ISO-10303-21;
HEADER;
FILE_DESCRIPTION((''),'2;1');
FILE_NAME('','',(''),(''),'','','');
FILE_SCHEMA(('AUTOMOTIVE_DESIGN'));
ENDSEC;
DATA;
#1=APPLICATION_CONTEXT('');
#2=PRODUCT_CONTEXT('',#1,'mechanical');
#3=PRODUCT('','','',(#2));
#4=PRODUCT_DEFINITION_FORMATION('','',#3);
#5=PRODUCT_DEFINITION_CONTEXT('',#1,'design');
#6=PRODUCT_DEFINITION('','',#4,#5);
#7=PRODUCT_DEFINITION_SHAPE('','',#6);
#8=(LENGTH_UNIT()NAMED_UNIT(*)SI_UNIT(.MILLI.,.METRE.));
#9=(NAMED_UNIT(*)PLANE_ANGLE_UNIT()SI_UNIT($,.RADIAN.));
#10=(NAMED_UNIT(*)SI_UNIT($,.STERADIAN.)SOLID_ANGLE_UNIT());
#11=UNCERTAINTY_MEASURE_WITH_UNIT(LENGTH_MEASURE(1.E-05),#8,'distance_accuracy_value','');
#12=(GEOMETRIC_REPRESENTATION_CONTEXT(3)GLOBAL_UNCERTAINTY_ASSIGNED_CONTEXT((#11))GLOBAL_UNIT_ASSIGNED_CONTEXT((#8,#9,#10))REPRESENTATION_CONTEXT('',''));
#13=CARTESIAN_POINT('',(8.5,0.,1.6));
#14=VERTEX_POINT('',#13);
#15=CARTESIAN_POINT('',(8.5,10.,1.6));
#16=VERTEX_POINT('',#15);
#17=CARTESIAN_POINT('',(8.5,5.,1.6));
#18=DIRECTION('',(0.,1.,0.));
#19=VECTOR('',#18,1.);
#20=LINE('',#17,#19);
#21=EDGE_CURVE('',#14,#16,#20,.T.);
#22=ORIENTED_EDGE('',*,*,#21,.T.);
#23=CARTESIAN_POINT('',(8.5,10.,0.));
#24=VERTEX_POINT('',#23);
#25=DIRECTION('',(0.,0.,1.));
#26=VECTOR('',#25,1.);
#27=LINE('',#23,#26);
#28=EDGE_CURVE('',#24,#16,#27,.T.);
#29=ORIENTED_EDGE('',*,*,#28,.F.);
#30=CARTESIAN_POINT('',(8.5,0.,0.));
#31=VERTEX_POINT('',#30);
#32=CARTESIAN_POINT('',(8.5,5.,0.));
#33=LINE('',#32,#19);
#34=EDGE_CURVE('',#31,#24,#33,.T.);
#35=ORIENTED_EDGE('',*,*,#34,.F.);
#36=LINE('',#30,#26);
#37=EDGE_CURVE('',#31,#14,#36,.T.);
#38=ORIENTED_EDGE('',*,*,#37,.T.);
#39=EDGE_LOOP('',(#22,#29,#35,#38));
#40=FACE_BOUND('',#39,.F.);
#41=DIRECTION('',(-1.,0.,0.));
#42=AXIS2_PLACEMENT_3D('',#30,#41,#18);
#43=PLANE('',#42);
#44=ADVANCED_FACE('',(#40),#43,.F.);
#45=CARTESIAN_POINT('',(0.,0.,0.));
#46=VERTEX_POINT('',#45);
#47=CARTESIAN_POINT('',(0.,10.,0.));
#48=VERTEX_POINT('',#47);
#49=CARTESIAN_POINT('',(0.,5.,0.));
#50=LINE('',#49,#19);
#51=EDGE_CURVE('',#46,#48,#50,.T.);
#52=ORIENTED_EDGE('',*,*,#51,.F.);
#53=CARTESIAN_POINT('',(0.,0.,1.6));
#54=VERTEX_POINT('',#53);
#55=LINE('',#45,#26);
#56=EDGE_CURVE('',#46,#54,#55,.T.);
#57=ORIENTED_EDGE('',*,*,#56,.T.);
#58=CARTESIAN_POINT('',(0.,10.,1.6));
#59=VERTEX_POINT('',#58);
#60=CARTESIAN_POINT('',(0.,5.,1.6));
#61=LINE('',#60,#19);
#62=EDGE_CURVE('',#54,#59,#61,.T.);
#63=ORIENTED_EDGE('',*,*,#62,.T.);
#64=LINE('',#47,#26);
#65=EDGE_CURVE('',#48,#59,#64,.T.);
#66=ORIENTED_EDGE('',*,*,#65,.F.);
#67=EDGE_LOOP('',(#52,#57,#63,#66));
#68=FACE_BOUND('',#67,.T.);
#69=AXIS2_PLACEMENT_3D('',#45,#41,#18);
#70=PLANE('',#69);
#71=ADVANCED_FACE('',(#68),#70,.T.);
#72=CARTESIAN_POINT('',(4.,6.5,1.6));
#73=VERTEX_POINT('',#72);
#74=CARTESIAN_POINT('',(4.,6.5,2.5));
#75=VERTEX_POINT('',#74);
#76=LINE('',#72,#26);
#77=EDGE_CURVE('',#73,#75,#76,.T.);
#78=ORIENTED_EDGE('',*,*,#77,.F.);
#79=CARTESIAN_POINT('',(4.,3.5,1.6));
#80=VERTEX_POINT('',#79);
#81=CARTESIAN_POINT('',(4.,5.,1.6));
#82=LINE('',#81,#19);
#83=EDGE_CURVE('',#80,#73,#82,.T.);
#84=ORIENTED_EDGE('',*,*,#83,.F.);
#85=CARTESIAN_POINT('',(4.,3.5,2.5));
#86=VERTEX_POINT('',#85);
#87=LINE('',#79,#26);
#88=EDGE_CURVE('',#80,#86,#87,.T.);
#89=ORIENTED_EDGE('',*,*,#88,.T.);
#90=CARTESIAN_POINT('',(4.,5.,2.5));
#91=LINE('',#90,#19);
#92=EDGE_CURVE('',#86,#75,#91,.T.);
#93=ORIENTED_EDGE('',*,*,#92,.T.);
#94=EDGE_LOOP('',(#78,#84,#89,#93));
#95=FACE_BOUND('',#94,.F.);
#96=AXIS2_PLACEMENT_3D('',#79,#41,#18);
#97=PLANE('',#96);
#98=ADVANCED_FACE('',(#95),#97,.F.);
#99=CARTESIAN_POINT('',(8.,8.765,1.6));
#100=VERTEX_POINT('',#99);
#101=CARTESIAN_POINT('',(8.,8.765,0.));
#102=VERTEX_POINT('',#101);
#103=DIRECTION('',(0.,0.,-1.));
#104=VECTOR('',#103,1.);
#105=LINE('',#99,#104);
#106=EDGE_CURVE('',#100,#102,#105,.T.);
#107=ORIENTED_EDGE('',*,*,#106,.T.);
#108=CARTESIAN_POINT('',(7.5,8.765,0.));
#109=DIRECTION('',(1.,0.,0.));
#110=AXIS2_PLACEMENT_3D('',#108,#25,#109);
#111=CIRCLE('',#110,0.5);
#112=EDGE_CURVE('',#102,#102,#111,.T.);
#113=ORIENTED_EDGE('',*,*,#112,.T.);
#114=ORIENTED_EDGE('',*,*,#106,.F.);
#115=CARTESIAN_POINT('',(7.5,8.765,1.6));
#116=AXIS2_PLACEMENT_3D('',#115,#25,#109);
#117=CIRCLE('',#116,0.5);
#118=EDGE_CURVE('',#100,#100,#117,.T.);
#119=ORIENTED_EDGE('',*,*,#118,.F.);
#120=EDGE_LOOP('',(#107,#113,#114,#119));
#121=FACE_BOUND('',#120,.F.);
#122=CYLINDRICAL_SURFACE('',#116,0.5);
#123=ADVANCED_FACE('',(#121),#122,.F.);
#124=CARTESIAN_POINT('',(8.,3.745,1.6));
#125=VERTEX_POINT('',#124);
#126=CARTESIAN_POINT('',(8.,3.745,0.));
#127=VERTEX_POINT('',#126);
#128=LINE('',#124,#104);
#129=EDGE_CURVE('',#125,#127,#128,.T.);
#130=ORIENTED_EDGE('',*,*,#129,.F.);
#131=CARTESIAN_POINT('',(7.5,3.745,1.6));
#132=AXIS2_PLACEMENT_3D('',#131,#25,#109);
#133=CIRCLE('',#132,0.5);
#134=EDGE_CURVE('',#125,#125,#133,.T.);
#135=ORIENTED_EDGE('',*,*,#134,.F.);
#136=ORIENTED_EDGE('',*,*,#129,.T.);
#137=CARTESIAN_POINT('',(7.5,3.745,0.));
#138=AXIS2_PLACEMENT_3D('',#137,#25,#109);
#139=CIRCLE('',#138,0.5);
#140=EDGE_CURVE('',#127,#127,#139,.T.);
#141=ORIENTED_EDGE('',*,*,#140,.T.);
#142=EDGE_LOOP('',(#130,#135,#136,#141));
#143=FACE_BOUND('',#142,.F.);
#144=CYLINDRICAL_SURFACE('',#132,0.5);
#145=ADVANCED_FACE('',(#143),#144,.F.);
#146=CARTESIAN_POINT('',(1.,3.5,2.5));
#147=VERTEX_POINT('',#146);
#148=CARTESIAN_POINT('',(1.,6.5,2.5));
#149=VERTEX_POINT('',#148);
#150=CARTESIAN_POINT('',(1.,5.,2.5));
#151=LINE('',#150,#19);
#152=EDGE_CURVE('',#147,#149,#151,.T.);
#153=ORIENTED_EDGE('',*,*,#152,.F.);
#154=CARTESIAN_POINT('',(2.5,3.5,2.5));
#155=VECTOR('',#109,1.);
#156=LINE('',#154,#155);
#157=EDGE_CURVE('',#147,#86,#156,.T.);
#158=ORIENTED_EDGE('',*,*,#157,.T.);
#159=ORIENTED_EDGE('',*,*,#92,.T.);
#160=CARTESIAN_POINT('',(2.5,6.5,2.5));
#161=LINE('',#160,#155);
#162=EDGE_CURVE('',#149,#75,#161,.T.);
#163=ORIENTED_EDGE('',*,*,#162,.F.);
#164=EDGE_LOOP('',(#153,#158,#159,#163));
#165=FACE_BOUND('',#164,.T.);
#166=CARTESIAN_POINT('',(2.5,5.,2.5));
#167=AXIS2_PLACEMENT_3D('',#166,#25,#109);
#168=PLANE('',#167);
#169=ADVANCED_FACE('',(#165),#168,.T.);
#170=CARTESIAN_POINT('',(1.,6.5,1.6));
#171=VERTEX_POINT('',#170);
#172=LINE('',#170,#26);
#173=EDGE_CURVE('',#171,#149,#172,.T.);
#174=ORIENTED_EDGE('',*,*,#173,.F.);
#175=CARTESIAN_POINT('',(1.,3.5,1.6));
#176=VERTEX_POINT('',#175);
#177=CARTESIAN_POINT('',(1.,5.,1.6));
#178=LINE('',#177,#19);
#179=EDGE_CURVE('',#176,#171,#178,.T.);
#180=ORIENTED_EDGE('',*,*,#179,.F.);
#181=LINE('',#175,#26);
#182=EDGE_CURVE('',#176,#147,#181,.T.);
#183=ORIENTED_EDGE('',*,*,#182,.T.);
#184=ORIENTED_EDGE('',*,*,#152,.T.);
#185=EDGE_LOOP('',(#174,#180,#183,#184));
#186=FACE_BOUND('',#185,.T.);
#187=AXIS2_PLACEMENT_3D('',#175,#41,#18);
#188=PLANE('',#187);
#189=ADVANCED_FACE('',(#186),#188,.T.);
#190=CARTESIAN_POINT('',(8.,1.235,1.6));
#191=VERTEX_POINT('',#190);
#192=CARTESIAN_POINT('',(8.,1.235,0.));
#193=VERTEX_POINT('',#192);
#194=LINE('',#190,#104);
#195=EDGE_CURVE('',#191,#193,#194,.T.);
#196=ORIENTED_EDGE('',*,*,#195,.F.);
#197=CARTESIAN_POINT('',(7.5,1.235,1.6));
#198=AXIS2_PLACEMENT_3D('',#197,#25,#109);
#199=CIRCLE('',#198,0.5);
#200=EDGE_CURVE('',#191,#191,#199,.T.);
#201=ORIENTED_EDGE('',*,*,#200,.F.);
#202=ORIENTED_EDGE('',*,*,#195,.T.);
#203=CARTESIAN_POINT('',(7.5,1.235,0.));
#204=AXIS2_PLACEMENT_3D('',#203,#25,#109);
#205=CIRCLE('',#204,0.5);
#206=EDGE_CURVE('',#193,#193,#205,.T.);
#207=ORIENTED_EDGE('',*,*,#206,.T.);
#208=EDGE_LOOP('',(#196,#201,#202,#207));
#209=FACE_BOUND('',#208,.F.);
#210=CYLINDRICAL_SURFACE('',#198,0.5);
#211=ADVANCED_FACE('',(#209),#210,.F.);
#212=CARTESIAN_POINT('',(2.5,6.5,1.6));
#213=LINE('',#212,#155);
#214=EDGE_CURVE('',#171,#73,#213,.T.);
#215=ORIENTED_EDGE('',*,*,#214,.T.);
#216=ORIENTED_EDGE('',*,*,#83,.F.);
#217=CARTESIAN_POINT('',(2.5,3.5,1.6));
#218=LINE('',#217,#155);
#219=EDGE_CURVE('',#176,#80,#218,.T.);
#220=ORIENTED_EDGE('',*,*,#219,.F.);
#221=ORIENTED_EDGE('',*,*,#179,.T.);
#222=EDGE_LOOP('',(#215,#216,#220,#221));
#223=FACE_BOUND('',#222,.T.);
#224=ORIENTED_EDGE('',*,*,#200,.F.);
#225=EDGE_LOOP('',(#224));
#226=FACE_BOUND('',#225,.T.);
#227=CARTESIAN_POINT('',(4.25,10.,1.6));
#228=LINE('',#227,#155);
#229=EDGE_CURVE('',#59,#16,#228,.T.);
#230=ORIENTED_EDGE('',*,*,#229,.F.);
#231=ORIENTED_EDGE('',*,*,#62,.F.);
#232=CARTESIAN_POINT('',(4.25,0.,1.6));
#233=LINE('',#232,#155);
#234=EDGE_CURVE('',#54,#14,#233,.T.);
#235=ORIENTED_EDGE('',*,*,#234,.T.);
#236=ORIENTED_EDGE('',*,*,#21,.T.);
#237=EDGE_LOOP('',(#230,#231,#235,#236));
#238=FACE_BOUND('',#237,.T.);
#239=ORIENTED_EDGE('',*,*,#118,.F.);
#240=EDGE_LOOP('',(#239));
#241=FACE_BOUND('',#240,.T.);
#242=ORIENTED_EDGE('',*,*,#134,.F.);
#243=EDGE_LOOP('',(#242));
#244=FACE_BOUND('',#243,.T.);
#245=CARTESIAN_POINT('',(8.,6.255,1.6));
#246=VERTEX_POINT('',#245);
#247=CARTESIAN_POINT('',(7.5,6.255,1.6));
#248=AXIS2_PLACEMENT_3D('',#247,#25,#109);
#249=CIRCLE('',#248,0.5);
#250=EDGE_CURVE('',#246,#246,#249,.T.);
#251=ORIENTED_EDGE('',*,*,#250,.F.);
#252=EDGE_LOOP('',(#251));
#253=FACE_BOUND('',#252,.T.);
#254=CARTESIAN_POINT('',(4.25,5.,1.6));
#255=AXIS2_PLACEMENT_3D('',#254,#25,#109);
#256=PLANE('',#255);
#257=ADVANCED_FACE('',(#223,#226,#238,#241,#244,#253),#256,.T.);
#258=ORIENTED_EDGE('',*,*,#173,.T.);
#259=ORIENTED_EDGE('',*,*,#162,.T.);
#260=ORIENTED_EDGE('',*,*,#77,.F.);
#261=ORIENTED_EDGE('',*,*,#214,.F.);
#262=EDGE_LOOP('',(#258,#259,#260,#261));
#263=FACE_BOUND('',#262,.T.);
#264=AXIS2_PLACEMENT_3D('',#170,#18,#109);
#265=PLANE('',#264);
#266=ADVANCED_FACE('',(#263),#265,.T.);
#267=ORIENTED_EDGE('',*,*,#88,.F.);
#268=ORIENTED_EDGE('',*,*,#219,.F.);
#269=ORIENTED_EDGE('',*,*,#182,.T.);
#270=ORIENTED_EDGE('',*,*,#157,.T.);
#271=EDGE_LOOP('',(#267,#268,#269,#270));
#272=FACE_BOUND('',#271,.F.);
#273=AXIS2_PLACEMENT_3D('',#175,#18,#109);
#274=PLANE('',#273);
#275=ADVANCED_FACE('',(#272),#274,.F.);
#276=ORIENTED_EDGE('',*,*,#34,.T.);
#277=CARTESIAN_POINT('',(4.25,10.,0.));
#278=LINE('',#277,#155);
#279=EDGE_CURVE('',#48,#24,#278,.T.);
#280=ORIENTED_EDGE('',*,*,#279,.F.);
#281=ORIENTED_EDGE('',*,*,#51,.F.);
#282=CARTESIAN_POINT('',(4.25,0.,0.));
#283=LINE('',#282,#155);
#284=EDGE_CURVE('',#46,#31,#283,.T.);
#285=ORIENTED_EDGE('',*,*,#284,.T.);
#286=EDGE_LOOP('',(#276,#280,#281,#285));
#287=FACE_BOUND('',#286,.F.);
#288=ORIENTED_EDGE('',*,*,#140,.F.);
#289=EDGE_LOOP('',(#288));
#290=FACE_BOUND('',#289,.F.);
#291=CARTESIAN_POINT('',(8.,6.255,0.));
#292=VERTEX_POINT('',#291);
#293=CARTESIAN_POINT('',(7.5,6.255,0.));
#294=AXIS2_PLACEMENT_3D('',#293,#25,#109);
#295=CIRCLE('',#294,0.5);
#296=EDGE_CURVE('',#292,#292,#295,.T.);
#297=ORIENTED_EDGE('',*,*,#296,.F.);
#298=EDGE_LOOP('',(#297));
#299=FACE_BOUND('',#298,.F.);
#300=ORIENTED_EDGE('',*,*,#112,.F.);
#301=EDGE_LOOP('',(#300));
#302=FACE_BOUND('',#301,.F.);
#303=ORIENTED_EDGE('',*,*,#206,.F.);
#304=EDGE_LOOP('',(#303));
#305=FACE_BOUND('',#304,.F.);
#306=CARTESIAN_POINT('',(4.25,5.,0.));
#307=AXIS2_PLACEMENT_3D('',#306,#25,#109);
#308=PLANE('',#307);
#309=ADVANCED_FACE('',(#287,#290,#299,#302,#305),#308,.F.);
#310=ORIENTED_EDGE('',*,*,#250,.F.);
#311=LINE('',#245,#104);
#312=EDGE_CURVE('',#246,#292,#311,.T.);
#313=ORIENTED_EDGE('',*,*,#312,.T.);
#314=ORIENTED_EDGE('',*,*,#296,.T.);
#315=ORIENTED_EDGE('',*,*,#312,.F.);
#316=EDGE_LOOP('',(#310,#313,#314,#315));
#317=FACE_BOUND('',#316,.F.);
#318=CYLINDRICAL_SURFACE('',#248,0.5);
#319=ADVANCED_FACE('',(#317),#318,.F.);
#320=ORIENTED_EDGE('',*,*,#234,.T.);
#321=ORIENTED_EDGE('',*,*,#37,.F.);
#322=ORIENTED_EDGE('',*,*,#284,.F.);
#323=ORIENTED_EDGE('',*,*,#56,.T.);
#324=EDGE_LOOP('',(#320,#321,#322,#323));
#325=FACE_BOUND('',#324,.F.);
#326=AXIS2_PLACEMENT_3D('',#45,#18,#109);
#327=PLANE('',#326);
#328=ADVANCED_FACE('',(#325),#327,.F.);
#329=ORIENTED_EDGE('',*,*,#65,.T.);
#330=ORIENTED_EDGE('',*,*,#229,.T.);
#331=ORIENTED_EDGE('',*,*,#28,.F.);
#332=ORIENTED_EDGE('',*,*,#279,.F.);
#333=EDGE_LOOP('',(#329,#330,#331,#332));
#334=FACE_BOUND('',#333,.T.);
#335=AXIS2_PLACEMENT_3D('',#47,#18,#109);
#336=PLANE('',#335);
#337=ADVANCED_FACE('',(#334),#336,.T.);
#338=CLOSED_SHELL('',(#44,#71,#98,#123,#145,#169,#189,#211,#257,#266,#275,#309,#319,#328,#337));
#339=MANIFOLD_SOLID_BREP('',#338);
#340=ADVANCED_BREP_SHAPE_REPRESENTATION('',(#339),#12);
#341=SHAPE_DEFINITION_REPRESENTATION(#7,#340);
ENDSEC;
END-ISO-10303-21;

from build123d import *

# Parameters (mm, degrees)
BOX_W        = 8.5
BOX_H        = 10
BOX_DEPTH    = 1.6
SKETCH_R     = 0.5
POCKET_DEPTH = 1.601
SKETCH001_W  = 3
SKETCH001_H  = 3
PAD_DEPTH    = 0.9


with BuildPart() as part:
    # Box → Box (new body)
    with BuildSketch(Plane.XY):
        with Locations((4.25, 5)):
            Rectangle(BOX_W, BOX_H)
    extrude(amount=BOX_DEPTH)

    # Sketch (on Face6 of Box) → Pocket (cut, through all)
    with BuildSketch(Plane.XY.offset(1.6)):
        with Locations((7.5, 8.765)):
            Circle(SKETCH_R)
        with Locations((7.5, 6.255)):
            Circle(SKETCH_R)
        with Locations((7.5, 3.745)):
            Circle(SKETCH_R)
        with Locations((7.5, 1.235)):
            Circle(SKETCH_R)
    extrude(amount=-POCKET_DEPTH, mode=Mode.SUBTRACT)

    # Sketch001 (on Face6 of Box) → Pad (join)
    with BuildSketch(Plane.XY.offset(1.6)):
        with Locations((2.5, 5)):
            Rectangle(SKETCH001_W, SKETCH001_H)
    extrude(amount=PAD_DEPTH)


solid = part.part
